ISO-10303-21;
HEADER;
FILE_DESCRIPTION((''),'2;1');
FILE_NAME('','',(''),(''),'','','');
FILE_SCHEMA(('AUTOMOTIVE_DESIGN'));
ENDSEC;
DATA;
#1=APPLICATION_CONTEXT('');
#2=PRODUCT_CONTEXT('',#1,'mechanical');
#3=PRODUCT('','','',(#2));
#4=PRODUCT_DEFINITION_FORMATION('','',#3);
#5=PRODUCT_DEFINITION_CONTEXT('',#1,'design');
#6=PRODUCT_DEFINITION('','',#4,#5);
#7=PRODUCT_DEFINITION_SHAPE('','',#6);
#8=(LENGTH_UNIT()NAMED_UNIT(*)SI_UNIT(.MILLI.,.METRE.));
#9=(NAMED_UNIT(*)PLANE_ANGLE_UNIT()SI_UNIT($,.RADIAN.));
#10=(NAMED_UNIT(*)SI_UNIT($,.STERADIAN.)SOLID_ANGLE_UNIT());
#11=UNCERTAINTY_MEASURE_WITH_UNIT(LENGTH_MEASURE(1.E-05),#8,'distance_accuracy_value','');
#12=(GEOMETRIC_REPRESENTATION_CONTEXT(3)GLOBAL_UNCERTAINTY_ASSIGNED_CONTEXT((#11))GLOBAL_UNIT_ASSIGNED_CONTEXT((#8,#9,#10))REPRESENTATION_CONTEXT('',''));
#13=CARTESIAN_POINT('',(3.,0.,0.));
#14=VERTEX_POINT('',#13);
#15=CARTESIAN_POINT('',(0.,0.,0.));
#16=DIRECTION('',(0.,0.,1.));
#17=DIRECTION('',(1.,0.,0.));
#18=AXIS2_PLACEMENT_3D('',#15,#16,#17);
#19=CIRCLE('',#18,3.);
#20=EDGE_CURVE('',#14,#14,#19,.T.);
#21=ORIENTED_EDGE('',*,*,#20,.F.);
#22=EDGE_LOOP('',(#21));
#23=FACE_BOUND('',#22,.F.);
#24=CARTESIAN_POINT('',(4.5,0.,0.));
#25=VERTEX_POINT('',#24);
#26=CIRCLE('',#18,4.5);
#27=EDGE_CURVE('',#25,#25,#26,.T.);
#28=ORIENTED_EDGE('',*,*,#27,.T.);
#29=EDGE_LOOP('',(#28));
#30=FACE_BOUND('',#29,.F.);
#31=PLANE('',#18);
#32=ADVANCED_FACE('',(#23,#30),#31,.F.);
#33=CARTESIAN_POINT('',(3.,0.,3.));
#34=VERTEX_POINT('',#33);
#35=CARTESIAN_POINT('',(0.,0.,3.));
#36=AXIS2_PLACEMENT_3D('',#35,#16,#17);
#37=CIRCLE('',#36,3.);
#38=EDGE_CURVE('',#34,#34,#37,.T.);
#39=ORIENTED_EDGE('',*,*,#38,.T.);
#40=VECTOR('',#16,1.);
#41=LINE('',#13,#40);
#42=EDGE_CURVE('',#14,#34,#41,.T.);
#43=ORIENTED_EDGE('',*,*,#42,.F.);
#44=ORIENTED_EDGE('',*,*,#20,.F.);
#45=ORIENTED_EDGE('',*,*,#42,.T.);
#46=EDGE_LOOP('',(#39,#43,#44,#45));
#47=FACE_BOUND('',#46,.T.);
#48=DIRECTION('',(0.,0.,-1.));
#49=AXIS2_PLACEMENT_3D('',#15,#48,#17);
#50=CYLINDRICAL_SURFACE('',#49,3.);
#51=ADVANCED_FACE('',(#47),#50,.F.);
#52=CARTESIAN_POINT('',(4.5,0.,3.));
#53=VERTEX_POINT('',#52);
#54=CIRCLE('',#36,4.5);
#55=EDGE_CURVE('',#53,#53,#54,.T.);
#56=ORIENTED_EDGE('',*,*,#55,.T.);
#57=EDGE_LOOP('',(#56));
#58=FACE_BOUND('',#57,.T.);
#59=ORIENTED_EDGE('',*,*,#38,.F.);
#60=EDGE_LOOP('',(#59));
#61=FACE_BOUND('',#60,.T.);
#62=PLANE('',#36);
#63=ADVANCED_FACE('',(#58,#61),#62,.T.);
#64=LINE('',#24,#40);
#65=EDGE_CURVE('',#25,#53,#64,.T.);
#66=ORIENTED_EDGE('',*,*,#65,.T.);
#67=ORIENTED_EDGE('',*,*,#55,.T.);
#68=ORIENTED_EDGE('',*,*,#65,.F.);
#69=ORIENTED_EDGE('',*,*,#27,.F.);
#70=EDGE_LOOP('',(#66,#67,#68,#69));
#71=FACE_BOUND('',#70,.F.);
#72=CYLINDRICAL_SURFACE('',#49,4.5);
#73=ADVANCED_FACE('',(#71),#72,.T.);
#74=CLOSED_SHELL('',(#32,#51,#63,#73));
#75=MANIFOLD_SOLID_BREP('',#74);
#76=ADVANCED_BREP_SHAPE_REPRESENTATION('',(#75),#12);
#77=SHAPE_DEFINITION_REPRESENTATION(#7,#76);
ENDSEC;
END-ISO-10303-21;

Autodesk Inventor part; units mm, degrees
ref_plane "YZ Plane" through (0, 0, 0) normal (1, 0, 0) x (0, 1, 0)
ref_plane "XZ Plane" through (0, 0, 0) normal (0, 1, 0) x (-1, 0, 0)
ref_plane "XY Plane" through (0, 0, 0) normal (0, 0, 1) x (1, 0, 0)
sketch "Sketch1" plane through (0, 0, 0) normal (0, 0, 1) x (1, 0, 0)
  circle A0 centre (0, 0) radius 3
  circle A1 centre (0, 0) radius 4.5
  dimension "d0" = 6
  dimension "d1" = 9
extrude "Extrusion1" add sketch "Sketch1" along normal blind 3
properties part number "Arruelas"
